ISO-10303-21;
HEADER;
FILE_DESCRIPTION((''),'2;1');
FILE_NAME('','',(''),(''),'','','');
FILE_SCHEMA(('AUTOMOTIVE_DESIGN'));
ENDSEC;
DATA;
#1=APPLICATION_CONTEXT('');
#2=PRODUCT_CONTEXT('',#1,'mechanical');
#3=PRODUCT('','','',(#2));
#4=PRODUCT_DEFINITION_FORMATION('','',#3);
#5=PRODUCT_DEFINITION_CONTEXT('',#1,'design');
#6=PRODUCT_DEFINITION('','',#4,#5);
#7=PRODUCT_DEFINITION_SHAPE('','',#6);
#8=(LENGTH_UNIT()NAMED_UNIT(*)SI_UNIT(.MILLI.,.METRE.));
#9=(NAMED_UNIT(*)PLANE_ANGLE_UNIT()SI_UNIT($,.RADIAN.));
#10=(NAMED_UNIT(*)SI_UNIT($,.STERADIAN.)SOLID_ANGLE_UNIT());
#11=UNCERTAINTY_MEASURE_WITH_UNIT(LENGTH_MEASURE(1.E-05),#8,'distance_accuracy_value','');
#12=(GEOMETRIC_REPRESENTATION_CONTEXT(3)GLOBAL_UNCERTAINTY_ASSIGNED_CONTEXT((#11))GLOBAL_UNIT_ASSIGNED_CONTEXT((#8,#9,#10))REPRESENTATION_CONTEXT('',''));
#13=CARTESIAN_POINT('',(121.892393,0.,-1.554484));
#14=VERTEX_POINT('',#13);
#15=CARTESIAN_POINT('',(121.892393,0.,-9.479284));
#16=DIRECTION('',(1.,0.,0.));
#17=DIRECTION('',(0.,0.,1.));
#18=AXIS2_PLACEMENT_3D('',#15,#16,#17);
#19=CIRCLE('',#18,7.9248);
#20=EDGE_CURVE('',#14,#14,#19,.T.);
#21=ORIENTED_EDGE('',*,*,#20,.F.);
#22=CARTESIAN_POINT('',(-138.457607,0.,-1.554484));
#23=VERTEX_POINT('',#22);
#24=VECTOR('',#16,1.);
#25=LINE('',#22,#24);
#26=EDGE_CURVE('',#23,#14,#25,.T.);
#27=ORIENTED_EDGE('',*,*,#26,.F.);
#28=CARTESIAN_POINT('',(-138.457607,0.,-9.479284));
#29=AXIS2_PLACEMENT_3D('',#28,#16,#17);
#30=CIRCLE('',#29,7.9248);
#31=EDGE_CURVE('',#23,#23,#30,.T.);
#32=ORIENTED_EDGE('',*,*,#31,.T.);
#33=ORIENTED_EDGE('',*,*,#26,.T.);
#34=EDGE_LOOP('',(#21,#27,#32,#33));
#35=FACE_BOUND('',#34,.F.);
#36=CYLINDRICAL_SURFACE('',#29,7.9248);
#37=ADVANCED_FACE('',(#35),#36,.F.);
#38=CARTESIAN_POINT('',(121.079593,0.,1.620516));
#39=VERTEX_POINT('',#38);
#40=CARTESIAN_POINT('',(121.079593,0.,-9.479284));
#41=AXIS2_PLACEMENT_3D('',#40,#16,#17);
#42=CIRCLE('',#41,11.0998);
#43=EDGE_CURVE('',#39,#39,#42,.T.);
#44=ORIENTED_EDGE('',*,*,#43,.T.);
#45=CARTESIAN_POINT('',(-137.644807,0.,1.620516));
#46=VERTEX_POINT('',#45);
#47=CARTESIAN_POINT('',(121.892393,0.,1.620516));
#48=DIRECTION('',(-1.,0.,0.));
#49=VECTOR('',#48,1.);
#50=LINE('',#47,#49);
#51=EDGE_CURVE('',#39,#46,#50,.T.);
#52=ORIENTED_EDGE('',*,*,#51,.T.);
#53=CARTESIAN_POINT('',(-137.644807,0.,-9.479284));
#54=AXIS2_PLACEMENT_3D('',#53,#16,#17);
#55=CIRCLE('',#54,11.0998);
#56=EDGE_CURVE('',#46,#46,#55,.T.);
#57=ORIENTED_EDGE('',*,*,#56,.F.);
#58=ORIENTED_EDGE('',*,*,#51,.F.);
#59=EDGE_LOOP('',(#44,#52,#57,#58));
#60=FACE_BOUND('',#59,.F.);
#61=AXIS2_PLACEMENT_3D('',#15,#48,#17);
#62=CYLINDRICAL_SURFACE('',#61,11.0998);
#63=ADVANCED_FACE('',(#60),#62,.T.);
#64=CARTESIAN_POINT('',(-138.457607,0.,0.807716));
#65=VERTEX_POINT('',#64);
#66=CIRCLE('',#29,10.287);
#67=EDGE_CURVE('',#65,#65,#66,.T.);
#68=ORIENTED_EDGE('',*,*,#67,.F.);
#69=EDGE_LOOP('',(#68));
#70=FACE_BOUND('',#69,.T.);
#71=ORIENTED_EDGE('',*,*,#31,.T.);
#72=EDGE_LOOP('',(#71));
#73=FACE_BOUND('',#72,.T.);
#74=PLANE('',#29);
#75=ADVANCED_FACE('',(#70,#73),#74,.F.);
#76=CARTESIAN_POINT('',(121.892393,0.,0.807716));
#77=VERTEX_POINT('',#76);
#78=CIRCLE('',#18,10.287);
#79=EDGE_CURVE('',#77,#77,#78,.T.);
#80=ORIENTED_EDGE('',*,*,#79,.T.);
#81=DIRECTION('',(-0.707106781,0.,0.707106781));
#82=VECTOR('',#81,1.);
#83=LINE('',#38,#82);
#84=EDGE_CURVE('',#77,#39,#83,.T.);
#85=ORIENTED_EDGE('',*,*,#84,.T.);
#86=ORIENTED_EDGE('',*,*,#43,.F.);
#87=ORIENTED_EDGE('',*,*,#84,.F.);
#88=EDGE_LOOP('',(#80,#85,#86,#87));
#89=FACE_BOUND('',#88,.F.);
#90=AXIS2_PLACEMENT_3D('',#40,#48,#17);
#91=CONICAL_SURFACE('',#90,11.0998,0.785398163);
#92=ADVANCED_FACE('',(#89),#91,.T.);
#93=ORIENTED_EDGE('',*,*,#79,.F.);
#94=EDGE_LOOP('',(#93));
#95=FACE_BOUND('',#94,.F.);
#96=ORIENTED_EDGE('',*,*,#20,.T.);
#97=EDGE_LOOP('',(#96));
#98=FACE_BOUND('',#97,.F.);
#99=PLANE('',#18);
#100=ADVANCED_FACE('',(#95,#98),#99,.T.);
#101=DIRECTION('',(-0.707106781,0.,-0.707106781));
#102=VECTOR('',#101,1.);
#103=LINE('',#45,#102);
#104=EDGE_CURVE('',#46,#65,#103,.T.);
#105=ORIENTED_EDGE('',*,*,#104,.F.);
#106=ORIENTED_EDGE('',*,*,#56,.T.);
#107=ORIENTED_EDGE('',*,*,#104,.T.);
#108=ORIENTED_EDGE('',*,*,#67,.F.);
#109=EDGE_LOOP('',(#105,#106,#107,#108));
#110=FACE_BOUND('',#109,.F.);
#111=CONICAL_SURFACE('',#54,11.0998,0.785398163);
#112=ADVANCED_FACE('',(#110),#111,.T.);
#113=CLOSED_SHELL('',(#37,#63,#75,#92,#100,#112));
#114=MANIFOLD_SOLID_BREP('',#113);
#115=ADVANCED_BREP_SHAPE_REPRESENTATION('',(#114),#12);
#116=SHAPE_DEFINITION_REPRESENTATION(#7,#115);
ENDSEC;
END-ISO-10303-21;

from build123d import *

# Parameters (mm, degrees)
F0_W    = 133.35
F0_H    = 3.175
F0_W_2  = 12.7
F0_W_3  = 114.3
F2_SIZE = 0.8128
F3_SIZE = 0.8128


with BuildPart() as f1:
    # F0 (on Front) → F1 (revolve)
    with BuildSketch(Plane.XZ):
        with Locations((-71.7826074213, 0.0330159035)):
            Rectangle(F0_W, F0_H)
        with Locations((115.5423925787, 0.0330159035)):
            Rectangle(F0_W_2, F0_H)
        with Locations((52.0423925787, 0.0330159035)):
            Rectangle(F0_W_3, F0_H)
    revolve(axis=Axis((-8.2826074213, 0, -9.4792840965), (1, 0, 0)))

    # F2
    f2_edges = [f1.edges().sort_by_distance(p)[0] for p in [
        (121.892393, 0, -20.579084),
    ]]
    chamfer(f2_edges, length=F2_SIZE)

    # F3
    f3_edges = [f1.edges().sort_by_distance(p)[0] for p in [
        (-138.457607, 0, -20.579084),
    ]]
    chamfer(f3_edges, length=F3_SIZE)


solid = f1.part
